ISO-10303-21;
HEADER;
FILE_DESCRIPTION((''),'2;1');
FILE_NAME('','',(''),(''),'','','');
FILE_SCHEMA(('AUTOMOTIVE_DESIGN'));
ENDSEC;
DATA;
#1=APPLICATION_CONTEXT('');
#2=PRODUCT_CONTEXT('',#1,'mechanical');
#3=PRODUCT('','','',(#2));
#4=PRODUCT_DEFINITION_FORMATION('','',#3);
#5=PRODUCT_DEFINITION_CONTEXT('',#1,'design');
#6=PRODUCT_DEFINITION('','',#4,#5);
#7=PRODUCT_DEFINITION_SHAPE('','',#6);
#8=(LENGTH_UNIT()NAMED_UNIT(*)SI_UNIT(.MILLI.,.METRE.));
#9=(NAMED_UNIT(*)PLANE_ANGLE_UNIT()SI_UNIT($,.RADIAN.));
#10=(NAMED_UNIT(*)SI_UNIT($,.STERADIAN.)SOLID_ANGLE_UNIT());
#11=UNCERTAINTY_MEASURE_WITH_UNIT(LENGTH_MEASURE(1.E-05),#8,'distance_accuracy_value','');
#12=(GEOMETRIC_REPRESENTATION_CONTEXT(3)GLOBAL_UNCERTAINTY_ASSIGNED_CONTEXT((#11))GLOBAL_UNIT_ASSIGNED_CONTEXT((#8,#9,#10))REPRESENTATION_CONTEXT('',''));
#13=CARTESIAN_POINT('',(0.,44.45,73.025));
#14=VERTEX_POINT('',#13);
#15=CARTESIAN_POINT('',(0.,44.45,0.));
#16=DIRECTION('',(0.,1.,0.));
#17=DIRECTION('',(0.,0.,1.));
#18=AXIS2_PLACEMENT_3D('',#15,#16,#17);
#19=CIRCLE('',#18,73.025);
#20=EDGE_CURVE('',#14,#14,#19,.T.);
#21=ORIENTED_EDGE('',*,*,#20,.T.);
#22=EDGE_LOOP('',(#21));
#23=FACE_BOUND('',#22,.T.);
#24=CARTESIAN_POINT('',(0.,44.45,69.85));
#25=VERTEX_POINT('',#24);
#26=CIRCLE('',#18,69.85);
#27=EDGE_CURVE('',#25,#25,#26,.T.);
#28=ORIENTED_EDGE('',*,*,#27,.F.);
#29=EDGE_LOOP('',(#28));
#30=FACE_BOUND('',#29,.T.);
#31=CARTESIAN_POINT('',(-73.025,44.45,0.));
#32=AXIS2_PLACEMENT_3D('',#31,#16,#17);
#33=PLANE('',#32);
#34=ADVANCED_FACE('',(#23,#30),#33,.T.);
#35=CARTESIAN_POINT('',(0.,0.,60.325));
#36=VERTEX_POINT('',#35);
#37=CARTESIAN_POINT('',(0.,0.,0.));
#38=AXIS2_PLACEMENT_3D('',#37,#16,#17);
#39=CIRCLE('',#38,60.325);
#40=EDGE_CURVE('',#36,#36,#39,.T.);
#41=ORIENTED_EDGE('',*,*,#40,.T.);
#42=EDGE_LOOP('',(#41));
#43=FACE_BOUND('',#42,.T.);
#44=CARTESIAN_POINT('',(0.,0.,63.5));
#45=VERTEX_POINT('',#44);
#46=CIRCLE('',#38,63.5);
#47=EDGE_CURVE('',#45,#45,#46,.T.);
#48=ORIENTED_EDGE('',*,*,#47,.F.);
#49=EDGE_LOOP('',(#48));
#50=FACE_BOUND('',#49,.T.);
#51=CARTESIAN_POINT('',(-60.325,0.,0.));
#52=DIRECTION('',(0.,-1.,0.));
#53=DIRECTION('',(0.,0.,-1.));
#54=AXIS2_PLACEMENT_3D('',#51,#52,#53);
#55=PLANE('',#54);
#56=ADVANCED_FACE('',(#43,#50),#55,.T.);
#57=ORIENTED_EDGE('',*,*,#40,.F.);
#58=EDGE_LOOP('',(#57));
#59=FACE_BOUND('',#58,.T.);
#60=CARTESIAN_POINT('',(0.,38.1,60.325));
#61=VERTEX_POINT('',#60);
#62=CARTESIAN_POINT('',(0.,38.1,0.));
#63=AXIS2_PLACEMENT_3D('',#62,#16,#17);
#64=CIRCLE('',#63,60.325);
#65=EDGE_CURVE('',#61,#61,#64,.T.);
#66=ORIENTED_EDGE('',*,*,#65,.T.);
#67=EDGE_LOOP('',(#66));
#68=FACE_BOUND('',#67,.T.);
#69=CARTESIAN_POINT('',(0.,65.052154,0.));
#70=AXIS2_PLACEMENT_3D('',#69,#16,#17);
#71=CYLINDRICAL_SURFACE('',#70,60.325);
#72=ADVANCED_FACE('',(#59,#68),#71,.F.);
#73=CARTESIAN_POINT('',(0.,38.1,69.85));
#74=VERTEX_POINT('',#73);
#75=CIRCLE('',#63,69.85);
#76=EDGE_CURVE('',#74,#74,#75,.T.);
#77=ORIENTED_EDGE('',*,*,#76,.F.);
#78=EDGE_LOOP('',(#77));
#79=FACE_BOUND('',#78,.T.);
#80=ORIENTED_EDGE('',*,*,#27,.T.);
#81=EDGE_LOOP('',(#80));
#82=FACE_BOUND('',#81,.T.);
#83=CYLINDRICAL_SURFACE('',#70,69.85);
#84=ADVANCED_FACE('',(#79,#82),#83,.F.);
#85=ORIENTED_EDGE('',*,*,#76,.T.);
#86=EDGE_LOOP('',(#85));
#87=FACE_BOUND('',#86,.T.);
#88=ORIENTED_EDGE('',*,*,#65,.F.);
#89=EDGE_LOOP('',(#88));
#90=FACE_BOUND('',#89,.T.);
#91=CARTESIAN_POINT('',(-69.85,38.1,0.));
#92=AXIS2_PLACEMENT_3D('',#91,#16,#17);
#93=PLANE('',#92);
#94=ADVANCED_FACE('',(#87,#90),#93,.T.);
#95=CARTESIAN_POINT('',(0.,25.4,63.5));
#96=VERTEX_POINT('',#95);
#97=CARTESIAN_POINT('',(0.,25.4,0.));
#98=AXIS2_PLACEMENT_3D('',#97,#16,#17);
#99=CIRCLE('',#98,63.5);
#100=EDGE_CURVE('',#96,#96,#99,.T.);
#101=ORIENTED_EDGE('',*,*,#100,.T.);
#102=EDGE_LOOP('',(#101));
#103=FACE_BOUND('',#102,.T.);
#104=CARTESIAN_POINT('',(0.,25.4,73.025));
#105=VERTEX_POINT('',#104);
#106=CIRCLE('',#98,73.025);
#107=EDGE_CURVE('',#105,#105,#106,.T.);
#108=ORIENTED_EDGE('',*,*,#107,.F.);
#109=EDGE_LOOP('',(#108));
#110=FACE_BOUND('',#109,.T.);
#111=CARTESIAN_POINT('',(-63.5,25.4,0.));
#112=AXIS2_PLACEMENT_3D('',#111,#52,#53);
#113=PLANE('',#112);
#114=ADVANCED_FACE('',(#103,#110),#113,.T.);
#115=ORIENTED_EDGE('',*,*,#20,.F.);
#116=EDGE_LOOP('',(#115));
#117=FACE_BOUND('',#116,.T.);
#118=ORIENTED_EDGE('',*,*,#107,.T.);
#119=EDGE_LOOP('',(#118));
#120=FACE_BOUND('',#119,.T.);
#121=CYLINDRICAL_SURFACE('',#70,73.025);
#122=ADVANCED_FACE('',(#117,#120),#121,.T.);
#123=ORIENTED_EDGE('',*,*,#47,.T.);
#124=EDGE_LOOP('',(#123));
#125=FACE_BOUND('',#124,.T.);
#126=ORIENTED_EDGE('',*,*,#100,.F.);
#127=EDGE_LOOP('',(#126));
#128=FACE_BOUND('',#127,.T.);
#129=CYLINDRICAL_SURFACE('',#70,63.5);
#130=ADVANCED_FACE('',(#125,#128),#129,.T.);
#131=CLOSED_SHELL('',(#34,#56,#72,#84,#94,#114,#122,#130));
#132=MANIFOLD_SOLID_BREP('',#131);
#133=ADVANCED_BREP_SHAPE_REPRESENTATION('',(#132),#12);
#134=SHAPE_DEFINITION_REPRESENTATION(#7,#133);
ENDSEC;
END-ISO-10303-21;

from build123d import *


with BuildPart() as part:
    # Sketch1 → Revolve1 (revolve)
    with BuildSketch(Plane.XY):
        Polygon((-60.325, 0), (-60.325, 38.1), (-69.85, 38.1), (-69.85, 44.45), (-73.025, 44.45), (-73.025, 25.4), (-63.5, 25.4), (-63.5, 0), align=None)
    revolve(axis=Axis((0, 65.052154419, 0), (0, -1, 0)))


solid = part.part
